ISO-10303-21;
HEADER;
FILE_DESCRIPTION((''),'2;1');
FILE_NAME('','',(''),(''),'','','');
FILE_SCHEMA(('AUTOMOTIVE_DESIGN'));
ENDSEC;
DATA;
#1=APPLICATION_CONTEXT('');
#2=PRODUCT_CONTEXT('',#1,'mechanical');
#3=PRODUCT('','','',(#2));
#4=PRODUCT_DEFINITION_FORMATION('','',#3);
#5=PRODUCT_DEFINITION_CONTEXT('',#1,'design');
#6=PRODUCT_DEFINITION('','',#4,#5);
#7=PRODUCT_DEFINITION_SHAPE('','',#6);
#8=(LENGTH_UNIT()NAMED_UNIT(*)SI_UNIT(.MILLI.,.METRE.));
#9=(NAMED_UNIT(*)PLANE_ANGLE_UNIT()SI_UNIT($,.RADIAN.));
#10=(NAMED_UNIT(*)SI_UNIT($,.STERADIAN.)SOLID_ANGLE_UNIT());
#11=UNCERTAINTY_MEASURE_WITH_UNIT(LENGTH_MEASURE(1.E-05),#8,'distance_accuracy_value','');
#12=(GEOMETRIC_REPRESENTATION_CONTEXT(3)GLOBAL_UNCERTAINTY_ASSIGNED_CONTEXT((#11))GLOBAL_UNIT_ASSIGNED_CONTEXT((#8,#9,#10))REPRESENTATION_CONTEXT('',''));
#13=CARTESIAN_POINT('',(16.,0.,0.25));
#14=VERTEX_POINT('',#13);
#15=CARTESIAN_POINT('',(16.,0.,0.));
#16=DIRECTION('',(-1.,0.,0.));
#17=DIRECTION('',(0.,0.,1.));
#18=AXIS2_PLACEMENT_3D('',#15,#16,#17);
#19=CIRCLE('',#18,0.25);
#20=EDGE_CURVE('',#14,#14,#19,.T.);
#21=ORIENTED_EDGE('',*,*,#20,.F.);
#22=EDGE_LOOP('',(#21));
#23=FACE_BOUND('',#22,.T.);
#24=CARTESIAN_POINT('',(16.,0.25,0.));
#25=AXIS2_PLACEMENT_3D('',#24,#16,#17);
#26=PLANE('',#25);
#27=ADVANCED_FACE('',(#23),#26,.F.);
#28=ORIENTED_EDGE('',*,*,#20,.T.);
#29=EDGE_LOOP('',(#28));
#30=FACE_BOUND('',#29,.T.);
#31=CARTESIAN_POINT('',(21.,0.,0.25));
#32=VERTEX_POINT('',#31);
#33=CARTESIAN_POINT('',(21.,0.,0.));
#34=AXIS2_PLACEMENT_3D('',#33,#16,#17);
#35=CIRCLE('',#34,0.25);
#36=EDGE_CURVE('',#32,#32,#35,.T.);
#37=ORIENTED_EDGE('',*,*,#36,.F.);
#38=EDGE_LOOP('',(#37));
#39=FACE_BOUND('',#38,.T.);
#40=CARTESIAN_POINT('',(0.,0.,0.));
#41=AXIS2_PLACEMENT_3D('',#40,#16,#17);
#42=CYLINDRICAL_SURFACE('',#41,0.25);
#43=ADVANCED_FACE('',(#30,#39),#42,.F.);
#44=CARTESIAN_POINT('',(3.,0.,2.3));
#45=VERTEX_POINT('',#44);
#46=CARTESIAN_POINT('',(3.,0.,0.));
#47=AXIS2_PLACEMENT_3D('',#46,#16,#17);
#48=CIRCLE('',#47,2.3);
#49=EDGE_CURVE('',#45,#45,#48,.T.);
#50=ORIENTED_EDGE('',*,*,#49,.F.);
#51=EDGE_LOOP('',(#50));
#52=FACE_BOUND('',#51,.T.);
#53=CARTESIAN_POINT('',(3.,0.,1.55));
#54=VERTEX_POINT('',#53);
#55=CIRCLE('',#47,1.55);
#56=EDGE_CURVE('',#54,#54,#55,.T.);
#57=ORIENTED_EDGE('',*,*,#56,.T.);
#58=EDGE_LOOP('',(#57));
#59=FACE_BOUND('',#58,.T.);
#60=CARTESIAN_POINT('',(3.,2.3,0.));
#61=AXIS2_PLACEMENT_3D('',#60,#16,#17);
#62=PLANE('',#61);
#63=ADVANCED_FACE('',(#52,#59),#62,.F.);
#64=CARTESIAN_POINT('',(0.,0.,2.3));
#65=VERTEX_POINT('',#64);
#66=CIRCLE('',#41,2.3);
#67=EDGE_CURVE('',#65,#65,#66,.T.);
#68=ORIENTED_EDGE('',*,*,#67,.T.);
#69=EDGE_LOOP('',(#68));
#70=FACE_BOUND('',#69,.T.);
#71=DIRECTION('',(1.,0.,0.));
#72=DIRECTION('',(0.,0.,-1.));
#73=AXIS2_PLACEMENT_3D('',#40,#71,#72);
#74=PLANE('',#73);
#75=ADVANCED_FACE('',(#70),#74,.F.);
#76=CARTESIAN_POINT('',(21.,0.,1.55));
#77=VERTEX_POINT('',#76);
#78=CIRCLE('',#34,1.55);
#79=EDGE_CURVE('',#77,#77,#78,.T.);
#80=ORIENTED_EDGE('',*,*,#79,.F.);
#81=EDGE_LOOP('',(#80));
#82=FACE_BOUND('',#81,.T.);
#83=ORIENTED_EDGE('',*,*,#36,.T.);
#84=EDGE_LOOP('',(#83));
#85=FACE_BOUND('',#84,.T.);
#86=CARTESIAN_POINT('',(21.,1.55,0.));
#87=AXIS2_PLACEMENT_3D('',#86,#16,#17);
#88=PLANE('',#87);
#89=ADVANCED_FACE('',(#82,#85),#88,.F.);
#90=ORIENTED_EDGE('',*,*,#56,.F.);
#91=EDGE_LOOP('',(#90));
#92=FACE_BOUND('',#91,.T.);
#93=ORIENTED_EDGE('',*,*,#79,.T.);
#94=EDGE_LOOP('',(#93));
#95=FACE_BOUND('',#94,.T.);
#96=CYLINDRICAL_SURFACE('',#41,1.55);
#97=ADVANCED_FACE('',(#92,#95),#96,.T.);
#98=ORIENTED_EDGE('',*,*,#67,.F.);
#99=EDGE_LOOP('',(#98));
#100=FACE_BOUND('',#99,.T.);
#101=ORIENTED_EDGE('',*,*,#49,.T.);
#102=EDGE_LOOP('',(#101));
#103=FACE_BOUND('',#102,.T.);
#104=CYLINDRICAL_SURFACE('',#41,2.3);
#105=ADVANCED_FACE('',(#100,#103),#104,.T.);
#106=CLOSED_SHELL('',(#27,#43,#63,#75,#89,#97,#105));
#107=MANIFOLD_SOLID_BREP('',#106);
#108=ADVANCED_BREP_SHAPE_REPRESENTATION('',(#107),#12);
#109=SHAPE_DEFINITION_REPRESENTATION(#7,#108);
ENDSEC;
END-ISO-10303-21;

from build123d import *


with BuildPart() as part:
    # Sketch1 → Revolve1 (revolve)
    with BuildSketch(Plane.XY, mode=Mode.PRIVATE) as revolve1_sk:
        Polygon((0, 0), (0, 2.3), (3, 2.3), (3, 1.55), (21, 1.55), (21, 0.25), (16, 0.25), (16, 0), align=None)
    revolve(revolve1_sk.sketch.rotate(Axis((0, 0, 0), (1, 0, 0)), 90), axis=Axis((0, 0, 0), (1, 0, 0)))


solid = part.part
